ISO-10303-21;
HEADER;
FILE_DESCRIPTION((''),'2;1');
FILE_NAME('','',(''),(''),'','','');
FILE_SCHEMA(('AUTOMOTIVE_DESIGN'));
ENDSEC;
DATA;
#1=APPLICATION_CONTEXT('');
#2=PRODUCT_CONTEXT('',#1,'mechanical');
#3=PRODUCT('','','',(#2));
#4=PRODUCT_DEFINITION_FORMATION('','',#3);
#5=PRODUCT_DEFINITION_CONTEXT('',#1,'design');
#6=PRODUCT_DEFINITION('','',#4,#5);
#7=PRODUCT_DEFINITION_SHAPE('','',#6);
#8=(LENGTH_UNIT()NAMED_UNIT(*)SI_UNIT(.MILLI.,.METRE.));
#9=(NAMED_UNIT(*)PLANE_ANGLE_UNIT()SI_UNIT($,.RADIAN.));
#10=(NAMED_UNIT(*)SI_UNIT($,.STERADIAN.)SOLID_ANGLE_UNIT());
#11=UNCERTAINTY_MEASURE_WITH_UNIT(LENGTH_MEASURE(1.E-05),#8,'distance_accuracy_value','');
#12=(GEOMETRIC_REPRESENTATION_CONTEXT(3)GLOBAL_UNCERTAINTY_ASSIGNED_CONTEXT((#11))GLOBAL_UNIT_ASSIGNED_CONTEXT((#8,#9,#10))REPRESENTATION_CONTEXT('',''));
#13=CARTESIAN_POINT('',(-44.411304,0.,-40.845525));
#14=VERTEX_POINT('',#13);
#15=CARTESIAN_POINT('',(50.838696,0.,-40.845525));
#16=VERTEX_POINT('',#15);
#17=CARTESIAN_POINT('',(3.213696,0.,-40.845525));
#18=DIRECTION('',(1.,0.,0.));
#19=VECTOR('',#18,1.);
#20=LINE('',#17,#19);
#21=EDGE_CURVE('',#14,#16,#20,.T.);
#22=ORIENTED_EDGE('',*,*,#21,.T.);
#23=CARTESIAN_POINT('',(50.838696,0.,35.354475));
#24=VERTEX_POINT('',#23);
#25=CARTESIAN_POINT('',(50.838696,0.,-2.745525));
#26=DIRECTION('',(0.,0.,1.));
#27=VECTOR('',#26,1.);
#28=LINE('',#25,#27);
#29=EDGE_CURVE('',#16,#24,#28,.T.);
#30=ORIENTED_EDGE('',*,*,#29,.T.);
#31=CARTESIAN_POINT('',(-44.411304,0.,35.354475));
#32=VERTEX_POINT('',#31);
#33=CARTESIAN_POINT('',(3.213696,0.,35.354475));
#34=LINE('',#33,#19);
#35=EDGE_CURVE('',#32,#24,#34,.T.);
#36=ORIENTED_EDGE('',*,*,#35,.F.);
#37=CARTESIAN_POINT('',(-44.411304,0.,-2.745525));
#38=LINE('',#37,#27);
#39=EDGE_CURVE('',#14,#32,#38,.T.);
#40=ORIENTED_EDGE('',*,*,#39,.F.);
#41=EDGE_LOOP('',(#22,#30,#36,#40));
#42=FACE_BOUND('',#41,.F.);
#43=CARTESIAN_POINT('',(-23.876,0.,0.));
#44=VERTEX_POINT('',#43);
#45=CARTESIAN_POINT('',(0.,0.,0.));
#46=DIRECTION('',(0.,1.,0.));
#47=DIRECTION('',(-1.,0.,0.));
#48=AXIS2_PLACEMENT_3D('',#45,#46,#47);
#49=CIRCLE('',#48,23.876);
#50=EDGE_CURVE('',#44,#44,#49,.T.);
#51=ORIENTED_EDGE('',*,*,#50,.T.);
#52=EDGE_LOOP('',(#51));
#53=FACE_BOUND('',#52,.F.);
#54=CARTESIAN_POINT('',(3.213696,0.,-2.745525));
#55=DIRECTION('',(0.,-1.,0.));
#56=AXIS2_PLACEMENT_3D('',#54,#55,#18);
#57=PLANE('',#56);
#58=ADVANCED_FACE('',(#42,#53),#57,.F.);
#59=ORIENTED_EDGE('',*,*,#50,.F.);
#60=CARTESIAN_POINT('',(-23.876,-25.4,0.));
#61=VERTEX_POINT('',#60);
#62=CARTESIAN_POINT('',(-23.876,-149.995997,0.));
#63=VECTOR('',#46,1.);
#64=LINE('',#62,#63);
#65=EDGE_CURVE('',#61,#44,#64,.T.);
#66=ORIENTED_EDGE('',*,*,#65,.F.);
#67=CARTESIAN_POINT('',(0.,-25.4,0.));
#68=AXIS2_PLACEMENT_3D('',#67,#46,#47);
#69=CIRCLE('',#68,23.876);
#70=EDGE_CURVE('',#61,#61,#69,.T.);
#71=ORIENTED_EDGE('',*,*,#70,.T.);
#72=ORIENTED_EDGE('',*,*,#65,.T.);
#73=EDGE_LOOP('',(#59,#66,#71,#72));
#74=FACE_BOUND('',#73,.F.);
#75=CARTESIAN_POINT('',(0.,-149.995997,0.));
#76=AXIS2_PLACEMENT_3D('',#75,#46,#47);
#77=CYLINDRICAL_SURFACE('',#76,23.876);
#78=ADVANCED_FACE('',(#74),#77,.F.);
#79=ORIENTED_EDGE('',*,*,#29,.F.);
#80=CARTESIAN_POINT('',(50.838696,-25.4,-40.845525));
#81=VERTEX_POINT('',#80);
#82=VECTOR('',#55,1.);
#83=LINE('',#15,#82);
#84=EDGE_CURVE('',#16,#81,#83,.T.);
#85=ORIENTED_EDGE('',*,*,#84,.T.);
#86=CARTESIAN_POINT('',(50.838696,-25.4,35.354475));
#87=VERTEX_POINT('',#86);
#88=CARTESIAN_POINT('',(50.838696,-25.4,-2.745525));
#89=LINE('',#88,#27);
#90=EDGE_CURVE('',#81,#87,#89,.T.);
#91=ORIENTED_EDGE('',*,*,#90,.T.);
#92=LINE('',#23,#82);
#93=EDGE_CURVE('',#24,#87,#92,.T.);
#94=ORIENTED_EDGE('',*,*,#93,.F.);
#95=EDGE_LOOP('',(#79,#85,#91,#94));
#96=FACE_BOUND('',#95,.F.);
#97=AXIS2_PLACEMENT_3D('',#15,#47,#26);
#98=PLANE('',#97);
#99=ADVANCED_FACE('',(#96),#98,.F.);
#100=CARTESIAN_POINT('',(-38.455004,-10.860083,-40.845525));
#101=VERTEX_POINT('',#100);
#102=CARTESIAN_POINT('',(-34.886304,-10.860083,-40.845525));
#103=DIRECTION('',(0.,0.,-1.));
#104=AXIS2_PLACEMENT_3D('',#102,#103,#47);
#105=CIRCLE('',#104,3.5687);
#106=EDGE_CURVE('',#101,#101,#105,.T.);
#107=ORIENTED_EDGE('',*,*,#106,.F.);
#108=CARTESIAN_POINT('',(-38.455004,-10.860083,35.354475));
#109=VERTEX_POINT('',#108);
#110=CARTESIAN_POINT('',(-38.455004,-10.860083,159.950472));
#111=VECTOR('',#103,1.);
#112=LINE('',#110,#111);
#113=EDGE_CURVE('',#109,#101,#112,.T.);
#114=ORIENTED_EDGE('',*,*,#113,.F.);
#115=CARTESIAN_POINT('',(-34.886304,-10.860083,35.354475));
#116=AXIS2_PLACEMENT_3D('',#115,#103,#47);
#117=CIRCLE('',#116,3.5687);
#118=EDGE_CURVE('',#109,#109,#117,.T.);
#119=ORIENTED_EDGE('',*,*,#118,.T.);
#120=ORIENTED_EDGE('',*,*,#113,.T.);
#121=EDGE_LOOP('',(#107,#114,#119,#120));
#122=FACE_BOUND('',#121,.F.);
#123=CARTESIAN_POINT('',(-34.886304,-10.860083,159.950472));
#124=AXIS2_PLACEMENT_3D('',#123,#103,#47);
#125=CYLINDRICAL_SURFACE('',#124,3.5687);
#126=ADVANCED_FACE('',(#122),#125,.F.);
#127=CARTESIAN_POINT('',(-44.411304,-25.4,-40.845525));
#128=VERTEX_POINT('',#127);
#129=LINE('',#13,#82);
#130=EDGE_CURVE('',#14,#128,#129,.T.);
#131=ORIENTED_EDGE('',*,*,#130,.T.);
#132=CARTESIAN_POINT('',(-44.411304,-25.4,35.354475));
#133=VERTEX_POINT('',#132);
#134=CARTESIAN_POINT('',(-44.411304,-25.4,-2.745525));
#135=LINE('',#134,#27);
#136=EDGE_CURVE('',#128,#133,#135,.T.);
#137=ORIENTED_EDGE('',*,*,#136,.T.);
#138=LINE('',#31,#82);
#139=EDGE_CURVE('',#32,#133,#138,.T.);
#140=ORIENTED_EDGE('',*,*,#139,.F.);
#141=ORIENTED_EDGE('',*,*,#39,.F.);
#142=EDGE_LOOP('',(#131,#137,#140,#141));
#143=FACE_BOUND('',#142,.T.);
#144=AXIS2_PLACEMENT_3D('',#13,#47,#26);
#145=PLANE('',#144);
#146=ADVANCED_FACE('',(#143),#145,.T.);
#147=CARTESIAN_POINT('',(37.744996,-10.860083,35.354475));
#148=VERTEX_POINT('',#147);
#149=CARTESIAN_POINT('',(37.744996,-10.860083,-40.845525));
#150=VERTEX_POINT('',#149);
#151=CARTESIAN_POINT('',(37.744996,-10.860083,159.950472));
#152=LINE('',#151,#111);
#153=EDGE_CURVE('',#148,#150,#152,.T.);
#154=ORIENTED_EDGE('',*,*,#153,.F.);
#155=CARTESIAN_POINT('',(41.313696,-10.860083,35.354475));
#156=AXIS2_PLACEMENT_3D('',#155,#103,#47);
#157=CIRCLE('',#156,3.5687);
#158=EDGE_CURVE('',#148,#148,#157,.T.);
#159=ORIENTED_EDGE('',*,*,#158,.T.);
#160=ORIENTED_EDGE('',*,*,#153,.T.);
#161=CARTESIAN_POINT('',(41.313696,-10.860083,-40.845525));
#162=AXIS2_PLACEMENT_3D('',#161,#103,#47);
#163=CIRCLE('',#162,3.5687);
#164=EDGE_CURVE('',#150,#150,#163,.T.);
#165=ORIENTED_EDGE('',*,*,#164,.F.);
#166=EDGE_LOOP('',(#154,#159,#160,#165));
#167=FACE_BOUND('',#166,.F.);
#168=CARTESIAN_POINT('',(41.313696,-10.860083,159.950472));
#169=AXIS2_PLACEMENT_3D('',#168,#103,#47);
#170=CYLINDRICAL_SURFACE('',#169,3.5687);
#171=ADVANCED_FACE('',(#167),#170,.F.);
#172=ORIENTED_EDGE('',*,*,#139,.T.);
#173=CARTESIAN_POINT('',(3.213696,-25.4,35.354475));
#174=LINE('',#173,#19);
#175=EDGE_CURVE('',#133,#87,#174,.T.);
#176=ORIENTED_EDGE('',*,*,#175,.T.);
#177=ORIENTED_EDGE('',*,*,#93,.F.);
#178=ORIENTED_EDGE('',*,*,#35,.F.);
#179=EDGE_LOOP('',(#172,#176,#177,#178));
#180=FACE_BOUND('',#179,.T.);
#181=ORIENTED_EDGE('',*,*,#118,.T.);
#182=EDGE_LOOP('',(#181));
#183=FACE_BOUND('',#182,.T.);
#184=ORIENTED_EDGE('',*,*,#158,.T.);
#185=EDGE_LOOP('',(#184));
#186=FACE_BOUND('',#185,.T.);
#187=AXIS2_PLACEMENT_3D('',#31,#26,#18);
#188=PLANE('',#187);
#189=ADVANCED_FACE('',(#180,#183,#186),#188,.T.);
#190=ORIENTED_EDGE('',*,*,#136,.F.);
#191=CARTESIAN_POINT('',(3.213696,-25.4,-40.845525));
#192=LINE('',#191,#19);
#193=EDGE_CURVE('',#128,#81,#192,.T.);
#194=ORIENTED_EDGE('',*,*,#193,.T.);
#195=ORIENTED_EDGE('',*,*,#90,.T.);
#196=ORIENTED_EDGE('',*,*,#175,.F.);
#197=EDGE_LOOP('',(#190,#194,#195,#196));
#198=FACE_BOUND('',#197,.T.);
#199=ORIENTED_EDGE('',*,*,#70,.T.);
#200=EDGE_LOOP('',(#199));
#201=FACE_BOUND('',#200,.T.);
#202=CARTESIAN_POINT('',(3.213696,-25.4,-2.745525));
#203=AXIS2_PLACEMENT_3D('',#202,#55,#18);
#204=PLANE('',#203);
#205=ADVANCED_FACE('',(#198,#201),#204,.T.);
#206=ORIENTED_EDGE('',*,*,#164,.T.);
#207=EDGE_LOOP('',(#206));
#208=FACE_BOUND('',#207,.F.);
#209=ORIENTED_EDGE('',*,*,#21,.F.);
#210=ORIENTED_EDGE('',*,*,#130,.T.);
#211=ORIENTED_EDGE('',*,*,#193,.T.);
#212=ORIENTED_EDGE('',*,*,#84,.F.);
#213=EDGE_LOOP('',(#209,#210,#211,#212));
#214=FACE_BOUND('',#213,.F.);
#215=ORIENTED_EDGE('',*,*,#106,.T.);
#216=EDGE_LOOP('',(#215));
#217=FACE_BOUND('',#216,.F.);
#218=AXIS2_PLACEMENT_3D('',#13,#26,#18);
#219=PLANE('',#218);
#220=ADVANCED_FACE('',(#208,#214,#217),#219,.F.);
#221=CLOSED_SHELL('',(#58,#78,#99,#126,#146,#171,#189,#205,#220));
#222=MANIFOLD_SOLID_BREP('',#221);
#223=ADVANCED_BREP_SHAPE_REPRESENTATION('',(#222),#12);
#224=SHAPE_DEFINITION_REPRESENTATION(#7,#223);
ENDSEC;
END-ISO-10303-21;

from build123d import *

# Parameters (mm, degrees)
F0_W     = 95.25
F0_H     = 76.2
F1_DEPTH = 25.4
F3_D     = 47.752
F5_D     = 7.1374


with BuildPart() as f1:
    # F0 (on Front) → F1 (new body)
    with BuildSketch(Plane.XZ):
        with Locations((3.213696, -2.745525)):
            Rectangle(F0_W, F0_H)
    extrude(amount=F1_DEPTH)

    # F3 (through all)
    with Locations(Plane.XZ.offset(25.4)):
        with Locations((0, 0)):
            Hole(F3_D / 2)

    # F5 (through all)
    with Locations(Plane.XY.offset(35.354475)):
        with Locations((-34.886304, -10.860083), (41.313696, -10.860083)):
            Hole(F5_D / 2)


solid = f1.part
